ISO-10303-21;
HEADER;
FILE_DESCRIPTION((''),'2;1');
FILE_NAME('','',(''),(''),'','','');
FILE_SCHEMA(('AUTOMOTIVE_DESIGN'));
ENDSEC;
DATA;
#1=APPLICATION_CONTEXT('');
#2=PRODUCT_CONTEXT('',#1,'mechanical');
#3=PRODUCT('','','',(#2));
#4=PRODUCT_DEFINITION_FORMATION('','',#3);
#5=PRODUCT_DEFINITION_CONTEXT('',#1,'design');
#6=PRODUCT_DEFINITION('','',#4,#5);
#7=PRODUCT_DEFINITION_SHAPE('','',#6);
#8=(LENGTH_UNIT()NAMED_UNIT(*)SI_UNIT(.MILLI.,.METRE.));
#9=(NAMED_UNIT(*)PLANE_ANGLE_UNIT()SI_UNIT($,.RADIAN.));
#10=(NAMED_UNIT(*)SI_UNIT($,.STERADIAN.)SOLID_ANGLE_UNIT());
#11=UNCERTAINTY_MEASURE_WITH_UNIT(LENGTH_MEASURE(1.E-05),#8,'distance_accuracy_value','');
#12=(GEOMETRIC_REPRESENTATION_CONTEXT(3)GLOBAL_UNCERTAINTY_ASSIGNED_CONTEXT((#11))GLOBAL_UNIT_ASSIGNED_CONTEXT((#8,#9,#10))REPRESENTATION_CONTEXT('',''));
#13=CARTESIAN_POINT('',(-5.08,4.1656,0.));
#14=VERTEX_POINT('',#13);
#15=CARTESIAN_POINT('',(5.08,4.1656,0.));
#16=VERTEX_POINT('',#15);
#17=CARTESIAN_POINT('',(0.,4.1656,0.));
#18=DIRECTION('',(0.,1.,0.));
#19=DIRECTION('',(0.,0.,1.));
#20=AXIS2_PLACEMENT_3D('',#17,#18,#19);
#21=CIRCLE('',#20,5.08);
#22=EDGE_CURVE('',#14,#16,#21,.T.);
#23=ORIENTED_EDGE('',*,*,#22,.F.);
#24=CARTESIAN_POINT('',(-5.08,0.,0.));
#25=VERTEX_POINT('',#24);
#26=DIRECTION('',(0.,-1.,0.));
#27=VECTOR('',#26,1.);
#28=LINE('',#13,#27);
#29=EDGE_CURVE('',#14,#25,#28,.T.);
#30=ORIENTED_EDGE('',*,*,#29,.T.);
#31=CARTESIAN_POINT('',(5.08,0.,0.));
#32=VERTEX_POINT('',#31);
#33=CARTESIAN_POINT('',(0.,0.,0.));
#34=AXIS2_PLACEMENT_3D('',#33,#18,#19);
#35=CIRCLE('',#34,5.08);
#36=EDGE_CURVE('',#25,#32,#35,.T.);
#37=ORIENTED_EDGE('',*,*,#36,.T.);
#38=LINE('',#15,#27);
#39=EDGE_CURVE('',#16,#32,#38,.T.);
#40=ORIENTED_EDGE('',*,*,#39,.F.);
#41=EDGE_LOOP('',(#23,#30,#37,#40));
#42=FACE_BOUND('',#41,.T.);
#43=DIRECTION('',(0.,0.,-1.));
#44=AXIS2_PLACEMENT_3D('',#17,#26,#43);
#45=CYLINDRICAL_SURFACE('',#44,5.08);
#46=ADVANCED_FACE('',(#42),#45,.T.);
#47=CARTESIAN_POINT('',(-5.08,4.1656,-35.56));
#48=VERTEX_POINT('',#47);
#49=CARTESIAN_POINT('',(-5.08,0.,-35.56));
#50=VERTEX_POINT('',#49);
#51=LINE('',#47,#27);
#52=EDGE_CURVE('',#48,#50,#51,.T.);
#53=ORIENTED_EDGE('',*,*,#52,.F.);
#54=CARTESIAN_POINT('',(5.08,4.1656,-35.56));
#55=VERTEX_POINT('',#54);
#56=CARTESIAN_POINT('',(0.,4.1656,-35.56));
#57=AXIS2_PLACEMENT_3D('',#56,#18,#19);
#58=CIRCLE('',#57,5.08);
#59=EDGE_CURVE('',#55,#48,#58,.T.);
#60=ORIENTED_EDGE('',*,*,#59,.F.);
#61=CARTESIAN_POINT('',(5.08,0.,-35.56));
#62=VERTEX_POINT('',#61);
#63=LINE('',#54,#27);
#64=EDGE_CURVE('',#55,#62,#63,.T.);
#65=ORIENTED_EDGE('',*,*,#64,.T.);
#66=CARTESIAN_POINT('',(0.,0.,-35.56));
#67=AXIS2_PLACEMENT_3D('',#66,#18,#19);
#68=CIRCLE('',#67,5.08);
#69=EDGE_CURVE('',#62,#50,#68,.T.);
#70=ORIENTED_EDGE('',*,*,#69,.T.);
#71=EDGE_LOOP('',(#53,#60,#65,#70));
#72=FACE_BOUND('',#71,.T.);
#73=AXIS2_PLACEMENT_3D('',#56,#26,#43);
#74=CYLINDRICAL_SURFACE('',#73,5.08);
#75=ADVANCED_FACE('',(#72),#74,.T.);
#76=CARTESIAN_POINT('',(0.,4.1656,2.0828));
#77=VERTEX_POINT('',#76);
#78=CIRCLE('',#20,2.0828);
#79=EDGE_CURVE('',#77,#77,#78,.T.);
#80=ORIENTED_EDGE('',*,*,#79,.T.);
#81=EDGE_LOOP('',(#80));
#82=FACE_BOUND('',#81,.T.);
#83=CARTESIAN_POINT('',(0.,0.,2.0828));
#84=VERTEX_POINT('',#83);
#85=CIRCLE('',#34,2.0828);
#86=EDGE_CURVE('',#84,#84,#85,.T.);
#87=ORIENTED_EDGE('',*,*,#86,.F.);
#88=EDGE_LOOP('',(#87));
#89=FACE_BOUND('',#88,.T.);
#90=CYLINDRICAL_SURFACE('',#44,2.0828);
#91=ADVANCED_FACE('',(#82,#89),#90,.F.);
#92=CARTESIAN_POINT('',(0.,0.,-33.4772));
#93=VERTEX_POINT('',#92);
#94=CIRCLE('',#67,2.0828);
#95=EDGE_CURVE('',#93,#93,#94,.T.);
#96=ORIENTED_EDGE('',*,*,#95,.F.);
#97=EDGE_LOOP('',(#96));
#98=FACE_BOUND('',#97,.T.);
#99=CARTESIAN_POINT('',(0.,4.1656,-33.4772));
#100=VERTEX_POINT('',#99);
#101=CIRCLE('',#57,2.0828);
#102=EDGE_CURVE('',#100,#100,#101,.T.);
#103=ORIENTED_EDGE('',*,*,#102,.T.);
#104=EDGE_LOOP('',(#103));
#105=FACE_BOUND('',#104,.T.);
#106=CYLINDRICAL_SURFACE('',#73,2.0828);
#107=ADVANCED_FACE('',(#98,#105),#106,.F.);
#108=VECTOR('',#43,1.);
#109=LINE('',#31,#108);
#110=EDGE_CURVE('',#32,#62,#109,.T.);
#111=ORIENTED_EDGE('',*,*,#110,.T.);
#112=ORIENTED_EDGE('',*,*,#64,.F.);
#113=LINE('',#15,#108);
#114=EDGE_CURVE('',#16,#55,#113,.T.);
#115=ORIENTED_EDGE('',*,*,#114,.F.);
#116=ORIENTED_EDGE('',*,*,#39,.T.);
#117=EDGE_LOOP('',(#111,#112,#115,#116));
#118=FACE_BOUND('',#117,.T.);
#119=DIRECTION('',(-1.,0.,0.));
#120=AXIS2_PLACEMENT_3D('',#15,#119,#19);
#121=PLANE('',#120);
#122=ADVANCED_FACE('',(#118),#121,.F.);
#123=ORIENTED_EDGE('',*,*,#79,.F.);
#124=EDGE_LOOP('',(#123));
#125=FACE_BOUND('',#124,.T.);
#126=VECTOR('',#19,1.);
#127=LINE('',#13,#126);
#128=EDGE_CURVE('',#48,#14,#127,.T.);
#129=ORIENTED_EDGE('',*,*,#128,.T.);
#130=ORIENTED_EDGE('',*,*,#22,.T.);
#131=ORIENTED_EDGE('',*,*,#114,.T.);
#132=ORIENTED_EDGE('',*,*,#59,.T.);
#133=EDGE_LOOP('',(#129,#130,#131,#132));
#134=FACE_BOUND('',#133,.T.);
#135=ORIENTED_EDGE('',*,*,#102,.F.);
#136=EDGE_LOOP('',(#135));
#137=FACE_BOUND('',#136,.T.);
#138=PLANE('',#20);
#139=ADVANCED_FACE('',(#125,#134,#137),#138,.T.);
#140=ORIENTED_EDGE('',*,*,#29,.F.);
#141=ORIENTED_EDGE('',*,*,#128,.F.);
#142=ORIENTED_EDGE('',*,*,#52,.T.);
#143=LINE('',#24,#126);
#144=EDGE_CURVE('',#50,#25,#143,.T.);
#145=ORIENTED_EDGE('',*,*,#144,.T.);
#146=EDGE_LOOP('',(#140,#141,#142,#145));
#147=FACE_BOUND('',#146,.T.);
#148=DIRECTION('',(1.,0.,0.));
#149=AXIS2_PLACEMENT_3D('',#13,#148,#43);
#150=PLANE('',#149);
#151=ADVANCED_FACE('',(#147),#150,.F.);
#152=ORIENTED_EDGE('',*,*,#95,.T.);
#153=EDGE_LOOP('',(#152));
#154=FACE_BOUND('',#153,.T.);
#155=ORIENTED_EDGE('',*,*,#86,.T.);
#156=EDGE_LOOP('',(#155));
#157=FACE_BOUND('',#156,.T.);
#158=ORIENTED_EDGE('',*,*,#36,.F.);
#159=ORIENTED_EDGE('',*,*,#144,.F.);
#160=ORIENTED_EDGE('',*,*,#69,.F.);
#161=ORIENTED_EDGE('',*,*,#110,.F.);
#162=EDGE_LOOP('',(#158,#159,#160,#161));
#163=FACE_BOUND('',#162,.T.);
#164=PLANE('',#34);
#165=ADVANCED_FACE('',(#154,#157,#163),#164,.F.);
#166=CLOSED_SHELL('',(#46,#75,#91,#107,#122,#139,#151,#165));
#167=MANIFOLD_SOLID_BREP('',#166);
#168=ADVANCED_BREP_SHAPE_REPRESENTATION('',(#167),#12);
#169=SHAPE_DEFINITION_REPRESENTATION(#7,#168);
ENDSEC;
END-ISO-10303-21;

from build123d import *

# Parameters (mm, degrees)
SKETCH1_R           = 2.0828
BOSS_EXTRUDE1_DEPTH = 4.1656


with BuildPart() as part:
    # Sketch1 → Boss-Extrude1 (new body)
    with BuildSketch(Plane(origin=(0, 0, 0), x_dir=(1, 0, 0), z_dir=(0, 1, 0))):
        with BuildLine():
            Line((-5.08, 0), (-5.08, 35.56))
            ThreePointArc((-5.08, 35.56), (0, 40.64), (5.08, 35.56))
            Line((5.08, 35.56), (5.08, 0))
            ThreePointArc((5.08, 0), (0, -5.08), (-5.08, 0))
        make_face()
        with Locations((0, 35.56)):
            Circle(SKETCH1_R, mode=Mode.SUBTRACT)
        Circle(SKETCH1_R, mode=Mode.SUBTRACT)
    extrude(amount=BOSS_EXTRUDE1_DEPTH)


solid = part.part
